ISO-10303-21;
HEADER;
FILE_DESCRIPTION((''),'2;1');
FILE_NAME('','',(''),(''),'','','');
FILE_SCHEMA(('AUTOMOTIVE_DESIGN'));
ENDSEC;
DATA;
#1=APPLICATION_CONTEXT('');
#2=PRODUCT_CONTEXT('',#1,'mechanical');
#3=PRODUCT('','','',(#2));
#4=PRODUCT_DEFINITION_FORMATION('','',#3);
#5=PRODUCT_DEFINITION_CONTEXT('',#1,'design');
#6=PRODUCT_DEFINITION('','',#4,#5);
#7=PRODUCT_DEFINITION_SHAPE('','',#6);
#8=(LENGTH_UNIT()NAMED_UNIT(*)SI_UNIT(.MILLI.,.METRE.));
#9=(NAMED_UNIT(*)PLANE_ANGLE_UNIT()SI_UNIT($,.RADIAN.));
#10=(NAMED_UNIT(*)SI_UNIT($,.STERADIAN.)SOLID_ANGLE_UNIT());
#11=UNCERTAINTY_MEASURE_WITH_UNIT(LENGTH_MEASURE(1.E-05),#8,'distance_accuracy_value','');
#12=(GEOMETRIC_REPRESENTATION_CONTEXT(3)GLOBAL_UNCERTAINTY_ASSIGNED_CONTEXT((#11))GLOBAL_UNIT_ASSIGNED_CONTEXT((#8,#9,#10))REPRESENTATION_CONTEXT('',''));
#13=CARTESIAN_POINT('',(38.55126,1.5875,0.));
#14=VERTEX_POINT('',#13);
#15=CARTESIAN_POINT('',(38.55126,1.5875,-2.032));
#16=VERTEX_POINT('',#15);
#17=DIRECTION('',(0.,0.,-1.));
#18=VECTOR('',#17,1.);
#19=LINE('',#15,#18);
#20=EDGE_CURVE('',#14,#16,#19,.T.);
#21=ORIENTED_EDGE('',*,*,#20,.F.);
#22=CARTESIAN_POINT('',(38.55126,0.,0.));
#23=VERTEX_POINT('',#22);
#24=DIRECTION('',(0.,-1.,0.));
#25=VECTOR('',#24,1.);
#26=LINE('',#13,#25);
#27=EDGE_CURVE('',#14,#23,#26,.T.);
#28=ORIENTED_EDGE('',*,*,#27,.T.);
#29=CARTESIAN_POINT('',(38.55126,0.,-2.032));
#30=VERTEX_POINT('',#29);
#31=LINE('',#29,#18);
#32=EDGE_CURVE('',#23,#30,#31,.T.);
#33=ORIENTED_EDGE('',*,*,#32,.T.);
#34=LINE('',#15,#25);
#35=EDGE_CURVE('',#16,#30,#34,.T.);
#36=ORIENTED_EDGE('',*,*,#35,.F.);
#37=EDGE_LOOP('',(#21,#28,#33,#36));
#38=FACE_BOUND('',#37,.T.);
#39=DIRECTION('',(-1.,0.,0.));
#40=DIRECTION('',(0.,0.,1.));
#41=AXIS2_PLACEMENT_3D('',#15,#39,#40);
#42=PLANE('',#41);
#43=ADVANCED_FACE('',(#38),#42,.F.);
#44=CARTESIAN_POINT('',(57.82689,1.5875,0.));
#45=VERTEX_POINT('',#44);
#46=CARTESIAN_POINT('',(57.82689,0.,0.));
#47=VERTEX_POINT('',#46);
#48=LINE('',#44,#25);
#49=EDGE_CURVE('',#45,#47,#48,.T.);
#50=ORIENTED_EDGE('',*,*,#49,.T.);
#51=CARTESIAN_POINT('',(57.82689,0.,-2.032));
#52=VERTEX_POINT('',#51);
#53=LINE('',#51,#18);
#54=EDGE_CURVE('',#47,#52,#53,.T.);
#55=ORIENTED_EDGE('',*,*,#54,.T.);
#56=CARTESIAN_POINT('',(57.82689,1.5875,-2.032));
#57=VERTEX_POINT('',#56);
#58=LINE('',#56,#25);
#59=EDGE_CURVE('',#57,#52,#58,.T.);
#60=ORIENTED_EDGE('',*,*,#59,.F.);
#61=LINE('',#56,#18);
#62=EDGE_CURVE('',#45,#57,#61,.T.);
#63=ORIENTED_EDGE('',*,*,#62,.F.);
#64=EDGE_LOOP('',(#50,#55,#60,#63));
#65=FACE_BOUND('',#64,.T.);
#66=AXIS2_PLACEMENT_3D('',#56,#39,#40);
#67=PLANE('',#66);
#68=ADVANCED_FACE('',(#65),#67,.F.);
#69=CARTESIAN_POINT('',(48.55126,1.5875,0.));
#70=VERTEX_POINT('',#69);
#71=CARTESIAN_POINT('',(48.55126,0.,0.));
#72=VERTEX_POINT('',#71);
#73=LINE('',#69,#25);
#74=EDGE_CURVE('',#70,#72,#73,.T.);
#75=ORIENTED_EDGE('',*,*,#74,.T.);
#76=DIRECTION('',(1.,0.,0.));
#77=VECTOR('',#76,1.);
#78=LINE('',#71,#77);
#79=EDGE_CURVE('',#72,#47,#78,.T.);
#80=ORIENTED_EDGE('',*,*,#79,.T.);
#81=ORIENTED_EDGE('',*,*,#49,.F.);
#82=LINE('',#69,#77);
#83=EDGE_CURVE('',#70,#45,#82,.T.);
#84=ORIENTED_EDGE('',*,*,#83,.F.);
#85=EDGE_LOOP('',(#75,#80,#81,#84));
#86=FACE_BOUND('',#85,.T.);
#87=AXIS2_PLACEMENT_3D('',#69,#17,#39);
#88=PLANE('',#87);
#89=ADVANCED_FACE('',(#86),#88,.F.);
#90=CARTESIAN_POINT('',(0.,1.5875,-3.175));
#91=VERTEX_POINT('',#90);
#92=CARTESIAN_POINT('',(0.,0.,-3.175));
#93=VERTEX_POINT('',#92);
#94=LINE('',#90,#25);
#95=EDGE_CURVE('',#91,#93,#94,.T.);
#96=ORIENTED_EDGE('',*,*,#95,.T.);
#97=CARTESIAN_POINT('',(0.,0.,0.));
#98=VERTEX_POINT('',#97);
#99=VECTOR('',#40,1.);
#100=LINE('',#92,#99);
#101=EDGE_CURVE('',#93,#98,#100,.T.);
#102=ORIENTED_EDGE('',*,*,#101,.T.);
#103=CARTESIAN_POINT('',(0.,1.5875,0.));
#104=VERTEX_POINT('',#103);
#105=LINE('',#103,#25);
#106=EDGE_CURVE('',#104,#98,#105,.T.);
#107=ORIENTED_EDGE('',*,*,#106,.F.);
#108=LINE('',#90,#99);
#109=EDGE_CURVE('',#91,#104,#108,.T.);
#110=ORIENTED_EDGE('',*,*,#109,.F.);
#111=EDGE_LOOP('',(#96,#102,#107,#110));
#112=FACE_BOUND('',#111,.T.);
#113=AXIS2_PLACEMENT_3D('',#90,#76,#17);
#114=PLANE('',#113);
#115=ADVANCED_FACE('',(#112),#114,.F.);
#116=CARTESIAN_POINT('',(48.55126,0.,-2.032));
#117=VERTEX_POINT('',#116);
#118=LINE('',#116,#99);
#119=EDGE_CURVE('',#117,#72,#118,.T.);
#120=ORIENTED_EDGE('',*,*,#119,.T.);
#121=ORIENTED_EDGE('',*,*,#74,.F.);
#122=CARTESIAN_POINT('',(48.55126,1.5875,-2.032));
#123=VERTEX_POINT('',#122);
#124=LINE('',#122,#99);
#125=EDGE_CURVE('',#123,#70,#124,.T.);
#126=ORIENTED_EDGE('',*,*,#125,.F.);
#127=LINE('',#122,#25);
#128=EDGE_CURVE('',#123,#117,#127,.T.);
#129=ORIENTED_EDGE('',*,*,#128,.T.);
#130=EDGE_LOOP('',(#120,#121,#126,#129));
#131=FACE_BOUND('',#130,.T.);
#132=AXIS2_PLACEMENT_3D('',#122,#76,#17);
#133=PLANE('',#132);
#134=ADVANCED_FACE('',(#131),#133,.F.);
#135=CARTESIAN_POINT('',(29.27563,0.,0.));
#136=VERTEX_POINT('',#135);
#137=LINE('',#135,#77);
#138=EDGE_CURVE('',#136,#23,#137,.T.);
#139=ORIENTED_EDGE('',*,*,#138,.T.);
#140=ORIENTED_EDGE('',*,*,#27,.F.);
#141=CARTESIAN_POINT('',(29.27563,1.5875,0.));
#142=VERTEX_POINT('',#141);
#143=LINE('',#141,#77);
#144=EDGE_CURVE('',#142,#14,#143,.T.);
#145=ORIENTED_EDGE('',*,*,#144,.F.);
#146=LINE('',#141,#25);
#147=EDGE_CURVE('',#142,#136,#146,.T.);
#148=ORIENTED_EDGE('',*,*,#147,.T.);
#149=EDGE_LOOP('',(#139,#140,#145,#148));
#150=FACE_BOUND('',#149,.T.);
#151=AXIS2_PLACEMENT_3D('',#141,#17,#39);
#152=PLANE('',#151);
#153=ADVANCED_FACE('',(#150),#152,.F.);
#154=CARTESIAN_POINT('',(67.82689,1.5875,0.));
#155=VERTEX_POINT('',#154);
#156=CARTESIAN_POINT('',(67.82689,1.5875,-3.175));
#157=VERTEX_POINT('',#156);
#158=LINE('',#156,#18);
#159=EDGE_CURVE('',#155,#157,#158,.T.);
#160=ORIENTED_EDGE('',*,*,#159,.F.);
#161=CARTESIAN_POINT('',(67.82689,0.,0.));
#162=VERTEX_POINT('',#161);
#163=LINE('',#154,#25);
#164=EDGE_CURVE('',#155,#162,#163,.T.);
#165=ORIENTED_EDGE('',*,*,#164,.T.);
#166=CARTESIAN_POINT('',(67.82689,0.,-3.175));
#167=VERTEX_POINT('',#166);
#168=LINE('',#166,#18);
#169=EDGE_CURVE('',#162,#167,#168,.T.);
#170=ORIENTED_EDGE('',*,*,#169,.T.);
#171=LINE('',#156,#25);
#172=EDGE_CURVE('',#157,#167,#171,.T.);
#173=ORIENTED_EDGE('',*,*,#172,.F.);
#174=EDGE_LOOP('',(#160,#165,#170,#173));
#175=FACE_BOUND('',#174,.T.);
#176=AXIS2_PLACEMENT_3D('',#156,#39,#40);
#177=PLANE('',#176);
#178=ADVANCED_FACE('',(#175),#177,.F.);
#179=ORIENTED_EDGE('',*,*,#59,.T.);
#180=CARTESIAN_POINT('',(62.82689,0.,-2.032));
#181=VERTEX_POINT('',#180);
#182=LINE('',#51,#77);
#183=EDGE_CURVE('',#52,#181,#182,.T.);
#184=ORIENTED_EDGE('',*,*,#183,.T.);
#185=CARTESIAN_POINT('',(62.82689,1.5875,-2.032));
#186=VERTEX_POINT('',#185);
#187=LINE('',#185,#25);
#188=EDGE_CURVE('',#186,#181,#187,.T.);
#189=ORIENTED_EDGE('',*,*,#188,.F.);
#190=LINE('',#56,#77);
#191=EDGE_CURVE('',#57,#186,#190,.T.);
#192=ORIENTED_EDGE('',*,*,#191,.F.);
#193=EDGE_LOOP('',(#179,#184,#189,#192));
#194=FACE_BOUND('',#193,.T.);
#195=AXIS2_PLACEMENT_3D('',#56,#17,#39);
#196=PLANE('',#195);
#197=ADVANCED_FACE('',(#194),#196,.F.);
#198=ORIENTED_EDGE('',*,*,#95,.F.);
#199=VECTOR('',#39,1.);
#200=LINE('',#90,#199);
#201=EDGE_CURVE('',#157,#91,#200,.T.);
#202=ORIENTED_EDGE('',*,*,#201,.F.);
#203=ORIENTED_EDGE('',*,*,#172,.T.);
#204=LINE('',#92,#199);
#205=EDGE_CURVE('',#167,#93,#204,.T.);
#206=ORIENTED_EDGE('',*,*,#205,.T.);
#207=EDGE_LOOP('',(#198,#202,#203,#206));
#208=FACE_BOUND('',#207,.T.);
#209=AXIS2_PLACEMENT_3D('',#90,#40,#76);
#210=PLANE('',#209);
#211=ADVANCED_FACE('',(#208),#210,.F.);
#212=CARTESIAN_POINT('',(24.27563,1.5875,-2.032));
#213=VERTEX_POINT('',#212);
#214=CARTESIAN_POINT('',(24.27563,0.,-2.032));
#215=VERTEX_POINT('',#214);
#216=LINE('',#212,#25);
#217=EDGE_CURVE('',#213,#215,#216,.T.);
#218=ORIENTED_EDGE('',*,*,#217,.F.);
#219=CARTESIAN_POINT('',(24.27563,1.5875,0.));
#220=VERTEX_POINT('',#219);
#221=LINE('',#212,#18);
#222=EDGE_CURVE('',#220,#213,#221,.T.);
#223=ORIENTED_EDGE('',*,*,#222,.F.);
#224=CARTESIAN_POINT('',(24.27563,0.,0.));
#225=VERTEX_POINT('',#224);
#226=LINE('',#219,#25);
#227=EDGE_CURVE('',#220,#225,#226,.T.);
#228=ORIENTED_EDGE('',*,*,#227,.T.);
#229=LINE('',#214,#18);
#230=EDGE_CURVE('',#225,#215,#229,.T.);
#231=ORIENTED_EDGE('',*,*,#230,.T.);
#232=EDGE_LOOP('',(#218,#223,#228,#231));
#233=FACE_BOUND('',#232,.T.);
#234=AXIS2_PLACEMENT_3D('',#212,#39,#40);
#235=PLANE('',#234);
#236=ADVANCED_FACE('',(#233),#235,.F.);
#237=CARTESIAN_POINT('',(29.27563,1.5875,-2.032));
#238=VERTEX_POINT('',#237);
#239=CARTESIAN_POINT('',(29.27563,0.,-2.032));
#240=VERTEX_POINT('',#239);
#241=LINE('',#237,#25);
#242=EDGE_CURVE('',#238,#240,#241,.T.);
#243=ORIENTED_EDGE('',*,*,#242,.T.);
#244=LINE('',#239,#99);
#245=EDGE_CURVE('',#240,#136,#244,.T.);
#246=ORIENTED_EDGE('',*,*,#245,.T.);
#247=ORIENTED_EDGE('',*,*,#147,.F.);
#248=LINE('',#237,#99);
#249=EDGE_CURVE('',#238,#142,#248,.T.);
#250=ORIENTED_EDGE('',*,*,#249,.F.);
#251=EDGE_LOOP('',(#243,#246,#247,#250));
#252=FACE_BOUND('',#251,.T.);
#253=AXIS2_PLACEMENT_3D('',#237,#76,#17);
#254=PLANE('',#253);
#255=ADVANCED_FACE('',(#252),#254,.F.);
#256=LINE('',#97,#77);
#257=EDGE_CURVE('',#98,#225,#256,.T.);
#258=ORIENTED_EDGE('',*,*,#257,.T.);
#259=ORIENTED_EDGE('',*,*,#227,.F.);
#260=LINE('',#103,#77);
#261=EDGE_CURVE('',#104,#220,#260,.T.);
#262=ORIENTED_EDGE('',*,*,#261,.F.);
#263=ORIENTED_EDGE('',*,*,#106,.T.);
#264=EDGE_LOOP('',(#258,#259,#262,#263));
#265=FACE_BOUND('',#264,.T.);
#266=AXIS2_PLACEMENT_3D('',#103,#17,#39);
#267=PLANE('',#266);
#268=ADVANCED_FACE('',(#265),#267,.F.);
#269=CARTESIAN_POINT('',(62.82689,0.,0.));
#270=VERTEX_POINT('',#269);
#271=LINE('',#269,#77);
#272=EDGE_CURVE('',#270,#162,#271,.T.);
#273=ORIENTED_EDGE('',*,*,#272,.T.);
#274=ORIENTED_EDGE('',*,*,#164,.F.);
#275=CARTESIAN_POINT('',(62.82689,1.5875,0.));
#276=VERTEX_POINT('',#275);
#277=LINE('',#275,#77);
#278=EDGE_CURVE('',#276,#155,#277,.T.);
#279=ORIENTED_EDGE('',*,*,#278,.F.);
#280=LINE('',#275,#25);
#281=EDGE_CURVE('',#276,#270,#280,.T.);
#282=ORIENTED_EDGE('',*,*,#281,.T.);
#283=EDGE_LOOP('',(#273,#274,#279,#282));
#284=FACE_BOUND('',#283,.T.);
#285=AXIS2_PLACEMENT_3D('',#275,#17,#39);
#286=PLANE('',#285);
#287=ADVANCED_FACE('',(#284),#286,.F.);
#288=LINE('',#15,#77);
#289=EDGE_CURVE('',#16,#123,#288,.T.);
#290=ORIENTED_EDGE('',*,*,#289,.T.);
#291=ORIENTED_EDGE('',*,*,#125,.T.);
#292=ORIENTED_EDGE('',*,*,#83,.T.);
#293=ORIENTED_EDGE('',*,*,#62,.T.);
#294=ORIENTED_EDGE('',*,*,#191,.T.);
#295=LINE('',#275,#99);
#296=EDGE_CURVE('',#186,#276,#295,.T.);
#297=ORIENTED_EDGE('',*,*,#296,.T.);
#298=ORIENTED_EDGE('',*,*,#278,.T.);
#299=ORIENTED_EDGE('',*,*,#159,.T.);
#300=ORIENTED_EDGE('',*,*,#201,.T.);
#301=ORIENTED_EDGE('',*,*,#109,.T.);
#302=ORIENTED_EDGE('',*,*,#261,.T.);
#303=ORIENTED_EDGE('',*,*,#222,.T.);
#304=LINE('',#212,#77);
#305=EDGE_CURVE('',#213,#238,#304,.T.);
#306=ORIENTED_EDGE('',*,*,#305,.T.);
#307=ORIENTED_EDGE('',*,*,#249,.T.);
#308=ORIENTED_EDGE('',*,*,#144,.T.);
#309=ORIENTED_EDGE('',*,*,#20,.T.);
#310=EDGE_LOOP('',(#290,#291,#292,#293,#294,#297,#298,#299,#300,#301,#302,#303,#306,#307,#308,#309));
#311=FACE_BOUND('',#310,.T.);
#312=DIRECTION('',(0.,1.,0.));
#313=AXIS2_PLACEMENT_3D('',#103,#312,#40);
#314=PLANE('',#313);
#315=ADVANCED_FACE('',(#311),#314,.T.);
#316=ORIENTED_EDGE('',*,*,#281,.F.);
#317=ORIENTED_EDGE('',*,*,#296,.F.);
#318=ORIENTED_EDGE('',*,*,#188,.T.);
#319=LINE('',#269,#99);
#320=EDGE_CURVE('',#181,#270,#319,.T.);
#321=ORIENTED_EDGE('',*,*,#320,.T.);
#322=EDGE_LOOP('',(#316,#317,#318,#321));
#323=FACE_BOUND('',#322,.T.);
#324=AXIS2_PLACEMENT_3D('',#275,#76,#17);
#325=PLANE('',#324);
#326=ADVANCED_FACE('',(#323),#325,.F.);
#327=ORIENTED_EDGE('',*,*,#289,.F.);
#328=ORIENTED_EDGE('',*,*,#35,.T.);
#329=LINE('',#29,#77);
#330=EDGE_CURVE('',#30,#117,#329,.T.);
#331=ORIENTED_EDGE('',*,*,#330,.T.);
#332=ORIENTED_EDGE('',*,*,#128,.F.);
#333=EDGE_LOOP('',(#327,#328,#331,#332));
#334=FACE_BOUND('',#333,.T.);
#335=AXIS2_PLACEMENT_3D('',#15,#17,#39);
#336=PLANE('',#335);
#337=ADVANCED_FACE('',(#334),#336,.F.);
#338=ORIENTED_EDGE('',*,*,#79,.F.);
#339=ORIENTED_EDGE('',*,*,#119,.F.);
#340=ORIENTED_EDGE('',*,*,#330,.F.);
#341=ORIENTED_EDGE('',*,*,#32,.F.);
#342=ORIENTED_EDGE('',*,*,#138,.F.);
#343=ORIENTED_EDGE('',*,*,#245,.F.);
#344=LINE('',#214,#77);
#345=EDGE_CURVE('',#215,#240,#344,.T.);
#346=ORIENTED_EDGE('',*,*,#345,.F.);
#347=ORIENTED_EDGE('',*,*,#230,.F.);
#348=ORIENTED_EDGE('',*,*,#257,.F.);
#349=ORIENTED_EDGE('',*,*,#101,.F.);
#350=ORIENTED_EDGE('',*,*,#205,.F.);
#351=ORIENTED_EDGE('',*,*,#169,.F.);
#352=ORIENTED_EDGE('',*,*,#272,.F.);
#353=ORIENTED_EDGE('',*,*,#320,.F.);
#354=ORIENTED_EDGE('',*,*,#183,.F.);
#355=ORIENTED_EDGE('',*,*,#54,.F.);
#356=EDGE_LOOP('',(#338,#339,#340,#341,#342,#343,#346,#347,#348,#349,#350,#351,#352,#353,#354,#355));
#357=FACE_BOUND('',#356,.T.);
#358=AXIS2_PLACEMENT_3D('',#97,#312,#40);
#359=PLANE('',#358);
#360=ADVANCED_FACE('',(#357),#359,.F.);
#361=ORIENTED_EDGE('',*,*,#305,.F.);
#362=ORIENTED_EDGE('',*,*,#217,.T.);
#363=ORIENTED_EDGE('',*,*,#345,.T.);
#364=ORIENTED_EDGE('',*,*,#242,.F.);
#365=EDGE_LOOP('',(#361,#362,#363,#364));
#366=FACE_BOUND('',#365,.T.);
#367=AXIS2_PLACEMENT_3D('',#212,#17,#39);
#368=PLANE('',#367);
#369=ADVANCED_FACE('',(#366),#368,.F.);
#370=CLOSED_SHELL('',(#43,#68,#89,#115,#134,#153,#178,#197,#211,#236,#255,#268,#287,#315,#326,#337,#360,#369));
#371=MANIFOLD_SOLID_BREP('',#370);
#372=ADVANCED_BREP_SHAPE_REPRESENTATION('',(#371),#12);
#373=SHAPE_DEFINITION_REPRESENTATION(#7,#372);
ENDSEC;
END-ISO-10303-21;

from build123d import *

# Parameters (mm, degrees)
BOSS_EXTRUDE1_DEPTH = 1.5875


with BuildPart() as part:
    # Sketch1 → Boss-Extrude1 (new body)
    with BuildSketch(Plane(origin=(0, 0, 0), x_dir=(1, 0, 0), z_dir=(0, 1, 0))):
        Polygon((0, 0), (24.27563042, 0), (24.27563042, 2.032), (29.27563042, 2.032), (29.27563042, 0), (38.55125958, 0), (38.55125958, 2.032), (48.55125958, 2.032), (48.55125958, 0), (57.82689, 0), (57.82689, 2.032), (62.82689, 2.032), (62.82689, 0), (67.82689, 0), (67.82689, 3.175), (0, 3.175), align=None)
    extrude(amount=BOSS_EXTRUDE1_DEPTH)


solid = part.part
